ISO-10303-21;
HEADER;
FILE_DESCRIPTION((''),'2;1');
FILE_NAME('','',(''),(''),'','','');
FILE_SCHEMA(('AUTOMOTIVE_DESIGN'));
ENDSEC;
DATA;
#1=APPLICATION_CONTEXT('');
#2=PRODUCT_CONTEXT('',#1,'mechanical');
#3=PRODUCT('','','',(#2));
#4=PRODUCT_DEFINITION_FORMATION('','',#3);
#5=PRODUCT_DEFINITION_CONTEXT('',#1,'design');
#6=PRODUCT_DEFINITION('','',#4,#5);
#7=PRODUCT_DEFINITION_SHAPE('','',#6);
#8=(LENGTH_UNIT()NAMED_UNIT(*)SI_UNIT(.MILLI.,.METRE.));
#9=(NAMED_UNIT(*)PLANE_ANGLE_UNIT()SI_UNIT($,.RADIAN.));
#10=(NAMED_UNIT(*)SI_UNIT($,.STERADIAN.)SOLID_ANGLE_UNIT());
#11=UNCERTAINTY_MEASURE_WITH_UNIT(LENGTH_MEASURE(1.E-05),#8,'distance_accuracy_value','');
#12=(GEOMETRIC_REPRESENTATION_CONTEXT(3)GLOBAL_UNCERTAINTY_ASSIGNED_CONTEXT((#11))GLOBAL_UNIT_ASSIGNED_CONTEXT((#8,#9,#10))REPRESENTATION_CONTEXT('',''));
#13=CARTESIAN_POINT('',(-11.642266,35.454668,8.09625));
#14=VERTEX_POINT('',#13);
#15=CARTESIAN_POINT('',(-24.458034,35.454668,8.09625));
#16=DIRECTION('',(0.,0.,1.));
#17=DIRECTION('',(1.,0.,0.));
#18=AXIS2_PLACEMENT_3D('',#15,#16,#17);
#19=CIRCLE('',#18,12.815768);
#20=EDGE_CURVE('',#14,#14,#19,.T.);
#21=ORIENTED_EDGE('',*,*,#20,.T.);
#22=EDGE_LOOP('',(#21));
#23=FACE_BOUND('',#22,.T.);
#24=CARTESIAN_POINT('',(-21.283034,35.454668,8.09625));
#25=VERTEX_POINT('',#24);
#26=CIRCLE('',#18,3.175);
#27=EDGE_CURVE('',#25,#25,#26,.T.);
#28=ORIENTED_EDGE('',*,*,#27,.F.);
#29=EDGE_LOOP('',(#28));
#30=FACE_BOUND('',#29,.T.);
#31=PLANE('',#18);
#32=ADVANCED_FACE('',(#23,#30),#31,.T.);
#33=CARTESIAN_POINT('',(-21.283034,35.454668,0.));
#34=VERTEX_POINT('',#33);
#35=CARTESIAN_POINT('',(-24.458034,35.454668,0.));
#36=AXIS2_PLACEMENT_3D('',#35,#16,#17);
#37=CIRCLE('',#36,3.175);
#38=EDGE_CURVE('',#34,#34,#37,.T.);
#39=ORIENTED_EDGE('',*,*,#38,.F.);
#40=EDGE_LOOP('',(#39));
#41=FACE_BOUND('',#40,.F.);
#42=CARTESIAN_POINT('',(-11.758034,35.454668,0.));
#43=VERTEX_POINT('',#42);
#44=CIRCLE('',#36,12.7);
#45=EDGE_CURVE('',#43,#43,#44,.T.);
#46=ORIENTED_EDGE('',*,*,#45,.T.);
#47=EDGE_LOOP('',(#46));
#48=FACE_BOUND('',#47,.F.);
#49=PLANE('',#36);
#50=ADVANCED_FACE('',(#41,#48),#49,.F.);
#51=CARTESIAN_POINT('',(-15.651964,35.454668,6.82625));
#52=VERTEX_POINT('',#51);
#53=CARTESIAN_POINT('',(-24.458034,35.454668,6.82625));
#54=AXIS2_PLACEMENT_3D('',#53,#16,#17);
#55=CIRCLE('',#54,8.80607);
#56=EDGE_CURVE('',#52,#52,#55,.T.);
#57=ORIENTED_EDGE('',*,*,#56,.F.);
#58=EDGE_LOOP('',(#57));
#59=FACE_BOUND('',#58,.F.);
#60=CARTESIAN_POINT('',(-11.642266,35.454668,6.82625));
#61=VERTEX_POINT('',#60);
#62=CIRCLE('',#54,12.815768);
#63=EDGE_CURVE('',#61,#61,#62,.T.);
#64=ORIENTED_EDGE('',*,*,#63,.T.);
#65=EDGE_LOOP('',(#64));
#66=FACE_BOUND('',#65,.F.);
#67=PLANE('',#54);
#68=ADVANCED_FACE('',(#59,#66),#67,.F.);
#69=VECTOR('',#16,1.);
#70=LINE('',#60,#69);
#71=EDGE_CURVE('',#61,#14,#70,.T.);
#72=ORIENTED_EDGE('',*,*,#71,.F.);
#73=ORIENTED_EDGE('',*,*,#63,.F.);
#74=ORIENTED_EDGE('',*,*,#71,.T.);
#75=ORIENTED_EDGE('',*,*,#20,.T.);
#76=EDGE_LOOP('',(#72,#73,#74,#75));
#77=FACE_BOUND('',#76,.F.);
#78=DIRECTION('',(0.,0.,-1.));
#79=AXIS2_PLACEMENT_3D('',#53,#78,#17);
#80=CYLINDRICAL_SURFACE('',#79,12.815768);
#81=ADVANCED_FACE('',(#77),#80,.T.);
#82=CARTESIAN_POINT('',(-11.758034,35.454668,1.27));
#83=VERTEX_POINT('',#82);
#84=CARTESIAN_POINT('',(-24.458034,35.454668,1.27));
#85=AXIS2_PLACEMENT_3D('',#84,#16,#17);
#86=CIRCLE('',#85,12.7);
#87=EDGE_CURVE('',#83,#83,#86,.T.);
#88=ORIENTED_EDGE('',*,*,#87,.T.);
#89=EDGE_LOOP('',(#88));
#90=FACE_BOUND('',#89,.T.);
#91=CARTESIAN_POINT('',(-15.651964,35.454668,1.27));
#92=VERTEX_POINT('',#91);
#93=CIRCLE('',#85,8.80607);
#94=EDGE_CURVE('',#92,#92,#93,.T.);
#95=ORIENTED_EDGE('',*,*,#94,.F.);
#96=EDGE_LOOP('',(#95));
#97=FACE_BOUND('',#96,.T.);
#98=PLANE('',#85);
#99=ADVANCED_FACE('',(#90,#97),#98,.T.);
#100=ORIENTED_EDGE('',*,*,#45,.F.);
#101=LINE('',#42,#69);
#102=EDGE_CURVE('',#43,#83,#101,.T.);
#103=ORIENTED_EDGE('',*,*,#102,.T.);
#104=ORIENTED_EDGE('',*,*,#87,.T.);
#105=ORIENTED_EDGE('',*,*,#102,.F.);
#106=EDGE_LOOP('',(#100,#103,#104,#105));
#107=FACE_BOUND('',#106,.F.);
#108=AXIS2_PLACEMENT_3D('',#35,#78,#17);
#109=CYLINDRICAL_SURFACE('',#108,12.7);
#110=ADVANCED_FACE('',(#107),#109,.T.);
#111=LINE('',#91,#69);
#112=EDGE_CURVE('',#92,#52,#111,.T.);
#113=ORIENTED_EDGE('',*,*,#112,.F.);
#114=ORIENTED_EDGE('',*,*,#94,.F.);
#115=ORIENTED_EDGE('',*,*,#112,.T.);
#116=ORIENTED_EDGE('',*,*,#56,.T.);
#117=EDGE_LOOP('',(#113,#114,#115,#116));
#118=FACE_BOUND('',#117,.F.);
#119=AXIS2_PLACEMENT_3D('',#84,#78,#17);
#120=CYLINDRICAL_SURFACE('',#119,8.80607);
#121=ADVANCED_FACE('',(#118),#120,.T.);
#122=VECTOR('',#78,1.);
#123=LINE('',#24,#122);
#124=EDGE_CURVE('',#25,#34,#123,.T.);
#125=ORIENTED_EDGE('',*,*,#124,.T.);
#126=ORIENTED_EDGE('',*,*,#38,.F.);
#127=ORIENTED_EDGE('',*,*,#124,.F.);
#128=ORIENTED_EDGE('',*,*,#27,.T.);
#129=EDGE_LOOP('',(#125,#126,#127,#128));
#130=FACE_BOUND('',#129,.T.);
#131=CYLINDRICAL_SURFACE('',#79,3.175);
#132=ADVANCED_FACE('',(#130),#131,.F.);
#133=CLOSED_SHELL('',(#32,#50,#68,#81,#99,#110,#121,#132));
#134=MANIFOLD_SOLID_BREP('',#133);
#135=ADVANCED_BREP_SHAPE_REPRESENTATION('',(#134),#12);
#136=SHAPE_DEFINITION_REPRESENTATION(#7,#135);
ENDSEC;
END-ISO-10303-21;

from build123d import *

# Parameters (mm, degrees)
F0_R     = 12.7
F0_R_2   = 3.175
F1_DEPTH = 1.27
F2_R     = 8.8060698198
F2_R_2   = 3.175
F3_DEPTH = 5.55625
F4_R     = 12.8157676945
F4_R_2   = 8.8060698198
F4_R_3   = 3.175
F5_DEPTH = 1.27


with BuildPart() as f1:
    # F0 (on Top) → F1 (new body)
    with BuildSketch(Plane.XY):
        with Locations((-24.458033964, 35.4546681046)):
            Circle(F0_R)
        with Locations((-24.458033964, 35.4546681046)):
            Circle(F0_R_2, mode=Mode.SUBTRACT)
    extrude(amount=F1_DEPTH)

    # F2 (on face) → F3 (join)
    with BuildSketch(Plane.XY.offset(1.27)):
        with Locations((-24.458033964, 35.4546681046)):
            Circle(F2_R)
        with Locations((-24.458033964, 35.4546681046)):
            Circle(F2_R_2, mode=Mode.SUBTRACT)
    extrude(amount=F3_DEPTH)

    # F4 (on face) → F5 (join)
    with BuildSketch(Plane.XY.offset(6.82625)):
        with Locations((-24.458033964, 35.4546681046)):
            Circle(F4_R)
        with Locations((-24.458033964, 35.4546681046)):
            Circle(F4_R_2, mode=Mode.SUBTRACT)
        with Locations((-24.458033964, 35.4546681046)):
            Circle(F4_R_2)
        with Locations((-24.458033964, 35.4546681046)):
            Circle(F4_R_3, mode=Mode.SUBTRACT)
    extrude(amount=F5_DEPTH)


solid = f1.part
